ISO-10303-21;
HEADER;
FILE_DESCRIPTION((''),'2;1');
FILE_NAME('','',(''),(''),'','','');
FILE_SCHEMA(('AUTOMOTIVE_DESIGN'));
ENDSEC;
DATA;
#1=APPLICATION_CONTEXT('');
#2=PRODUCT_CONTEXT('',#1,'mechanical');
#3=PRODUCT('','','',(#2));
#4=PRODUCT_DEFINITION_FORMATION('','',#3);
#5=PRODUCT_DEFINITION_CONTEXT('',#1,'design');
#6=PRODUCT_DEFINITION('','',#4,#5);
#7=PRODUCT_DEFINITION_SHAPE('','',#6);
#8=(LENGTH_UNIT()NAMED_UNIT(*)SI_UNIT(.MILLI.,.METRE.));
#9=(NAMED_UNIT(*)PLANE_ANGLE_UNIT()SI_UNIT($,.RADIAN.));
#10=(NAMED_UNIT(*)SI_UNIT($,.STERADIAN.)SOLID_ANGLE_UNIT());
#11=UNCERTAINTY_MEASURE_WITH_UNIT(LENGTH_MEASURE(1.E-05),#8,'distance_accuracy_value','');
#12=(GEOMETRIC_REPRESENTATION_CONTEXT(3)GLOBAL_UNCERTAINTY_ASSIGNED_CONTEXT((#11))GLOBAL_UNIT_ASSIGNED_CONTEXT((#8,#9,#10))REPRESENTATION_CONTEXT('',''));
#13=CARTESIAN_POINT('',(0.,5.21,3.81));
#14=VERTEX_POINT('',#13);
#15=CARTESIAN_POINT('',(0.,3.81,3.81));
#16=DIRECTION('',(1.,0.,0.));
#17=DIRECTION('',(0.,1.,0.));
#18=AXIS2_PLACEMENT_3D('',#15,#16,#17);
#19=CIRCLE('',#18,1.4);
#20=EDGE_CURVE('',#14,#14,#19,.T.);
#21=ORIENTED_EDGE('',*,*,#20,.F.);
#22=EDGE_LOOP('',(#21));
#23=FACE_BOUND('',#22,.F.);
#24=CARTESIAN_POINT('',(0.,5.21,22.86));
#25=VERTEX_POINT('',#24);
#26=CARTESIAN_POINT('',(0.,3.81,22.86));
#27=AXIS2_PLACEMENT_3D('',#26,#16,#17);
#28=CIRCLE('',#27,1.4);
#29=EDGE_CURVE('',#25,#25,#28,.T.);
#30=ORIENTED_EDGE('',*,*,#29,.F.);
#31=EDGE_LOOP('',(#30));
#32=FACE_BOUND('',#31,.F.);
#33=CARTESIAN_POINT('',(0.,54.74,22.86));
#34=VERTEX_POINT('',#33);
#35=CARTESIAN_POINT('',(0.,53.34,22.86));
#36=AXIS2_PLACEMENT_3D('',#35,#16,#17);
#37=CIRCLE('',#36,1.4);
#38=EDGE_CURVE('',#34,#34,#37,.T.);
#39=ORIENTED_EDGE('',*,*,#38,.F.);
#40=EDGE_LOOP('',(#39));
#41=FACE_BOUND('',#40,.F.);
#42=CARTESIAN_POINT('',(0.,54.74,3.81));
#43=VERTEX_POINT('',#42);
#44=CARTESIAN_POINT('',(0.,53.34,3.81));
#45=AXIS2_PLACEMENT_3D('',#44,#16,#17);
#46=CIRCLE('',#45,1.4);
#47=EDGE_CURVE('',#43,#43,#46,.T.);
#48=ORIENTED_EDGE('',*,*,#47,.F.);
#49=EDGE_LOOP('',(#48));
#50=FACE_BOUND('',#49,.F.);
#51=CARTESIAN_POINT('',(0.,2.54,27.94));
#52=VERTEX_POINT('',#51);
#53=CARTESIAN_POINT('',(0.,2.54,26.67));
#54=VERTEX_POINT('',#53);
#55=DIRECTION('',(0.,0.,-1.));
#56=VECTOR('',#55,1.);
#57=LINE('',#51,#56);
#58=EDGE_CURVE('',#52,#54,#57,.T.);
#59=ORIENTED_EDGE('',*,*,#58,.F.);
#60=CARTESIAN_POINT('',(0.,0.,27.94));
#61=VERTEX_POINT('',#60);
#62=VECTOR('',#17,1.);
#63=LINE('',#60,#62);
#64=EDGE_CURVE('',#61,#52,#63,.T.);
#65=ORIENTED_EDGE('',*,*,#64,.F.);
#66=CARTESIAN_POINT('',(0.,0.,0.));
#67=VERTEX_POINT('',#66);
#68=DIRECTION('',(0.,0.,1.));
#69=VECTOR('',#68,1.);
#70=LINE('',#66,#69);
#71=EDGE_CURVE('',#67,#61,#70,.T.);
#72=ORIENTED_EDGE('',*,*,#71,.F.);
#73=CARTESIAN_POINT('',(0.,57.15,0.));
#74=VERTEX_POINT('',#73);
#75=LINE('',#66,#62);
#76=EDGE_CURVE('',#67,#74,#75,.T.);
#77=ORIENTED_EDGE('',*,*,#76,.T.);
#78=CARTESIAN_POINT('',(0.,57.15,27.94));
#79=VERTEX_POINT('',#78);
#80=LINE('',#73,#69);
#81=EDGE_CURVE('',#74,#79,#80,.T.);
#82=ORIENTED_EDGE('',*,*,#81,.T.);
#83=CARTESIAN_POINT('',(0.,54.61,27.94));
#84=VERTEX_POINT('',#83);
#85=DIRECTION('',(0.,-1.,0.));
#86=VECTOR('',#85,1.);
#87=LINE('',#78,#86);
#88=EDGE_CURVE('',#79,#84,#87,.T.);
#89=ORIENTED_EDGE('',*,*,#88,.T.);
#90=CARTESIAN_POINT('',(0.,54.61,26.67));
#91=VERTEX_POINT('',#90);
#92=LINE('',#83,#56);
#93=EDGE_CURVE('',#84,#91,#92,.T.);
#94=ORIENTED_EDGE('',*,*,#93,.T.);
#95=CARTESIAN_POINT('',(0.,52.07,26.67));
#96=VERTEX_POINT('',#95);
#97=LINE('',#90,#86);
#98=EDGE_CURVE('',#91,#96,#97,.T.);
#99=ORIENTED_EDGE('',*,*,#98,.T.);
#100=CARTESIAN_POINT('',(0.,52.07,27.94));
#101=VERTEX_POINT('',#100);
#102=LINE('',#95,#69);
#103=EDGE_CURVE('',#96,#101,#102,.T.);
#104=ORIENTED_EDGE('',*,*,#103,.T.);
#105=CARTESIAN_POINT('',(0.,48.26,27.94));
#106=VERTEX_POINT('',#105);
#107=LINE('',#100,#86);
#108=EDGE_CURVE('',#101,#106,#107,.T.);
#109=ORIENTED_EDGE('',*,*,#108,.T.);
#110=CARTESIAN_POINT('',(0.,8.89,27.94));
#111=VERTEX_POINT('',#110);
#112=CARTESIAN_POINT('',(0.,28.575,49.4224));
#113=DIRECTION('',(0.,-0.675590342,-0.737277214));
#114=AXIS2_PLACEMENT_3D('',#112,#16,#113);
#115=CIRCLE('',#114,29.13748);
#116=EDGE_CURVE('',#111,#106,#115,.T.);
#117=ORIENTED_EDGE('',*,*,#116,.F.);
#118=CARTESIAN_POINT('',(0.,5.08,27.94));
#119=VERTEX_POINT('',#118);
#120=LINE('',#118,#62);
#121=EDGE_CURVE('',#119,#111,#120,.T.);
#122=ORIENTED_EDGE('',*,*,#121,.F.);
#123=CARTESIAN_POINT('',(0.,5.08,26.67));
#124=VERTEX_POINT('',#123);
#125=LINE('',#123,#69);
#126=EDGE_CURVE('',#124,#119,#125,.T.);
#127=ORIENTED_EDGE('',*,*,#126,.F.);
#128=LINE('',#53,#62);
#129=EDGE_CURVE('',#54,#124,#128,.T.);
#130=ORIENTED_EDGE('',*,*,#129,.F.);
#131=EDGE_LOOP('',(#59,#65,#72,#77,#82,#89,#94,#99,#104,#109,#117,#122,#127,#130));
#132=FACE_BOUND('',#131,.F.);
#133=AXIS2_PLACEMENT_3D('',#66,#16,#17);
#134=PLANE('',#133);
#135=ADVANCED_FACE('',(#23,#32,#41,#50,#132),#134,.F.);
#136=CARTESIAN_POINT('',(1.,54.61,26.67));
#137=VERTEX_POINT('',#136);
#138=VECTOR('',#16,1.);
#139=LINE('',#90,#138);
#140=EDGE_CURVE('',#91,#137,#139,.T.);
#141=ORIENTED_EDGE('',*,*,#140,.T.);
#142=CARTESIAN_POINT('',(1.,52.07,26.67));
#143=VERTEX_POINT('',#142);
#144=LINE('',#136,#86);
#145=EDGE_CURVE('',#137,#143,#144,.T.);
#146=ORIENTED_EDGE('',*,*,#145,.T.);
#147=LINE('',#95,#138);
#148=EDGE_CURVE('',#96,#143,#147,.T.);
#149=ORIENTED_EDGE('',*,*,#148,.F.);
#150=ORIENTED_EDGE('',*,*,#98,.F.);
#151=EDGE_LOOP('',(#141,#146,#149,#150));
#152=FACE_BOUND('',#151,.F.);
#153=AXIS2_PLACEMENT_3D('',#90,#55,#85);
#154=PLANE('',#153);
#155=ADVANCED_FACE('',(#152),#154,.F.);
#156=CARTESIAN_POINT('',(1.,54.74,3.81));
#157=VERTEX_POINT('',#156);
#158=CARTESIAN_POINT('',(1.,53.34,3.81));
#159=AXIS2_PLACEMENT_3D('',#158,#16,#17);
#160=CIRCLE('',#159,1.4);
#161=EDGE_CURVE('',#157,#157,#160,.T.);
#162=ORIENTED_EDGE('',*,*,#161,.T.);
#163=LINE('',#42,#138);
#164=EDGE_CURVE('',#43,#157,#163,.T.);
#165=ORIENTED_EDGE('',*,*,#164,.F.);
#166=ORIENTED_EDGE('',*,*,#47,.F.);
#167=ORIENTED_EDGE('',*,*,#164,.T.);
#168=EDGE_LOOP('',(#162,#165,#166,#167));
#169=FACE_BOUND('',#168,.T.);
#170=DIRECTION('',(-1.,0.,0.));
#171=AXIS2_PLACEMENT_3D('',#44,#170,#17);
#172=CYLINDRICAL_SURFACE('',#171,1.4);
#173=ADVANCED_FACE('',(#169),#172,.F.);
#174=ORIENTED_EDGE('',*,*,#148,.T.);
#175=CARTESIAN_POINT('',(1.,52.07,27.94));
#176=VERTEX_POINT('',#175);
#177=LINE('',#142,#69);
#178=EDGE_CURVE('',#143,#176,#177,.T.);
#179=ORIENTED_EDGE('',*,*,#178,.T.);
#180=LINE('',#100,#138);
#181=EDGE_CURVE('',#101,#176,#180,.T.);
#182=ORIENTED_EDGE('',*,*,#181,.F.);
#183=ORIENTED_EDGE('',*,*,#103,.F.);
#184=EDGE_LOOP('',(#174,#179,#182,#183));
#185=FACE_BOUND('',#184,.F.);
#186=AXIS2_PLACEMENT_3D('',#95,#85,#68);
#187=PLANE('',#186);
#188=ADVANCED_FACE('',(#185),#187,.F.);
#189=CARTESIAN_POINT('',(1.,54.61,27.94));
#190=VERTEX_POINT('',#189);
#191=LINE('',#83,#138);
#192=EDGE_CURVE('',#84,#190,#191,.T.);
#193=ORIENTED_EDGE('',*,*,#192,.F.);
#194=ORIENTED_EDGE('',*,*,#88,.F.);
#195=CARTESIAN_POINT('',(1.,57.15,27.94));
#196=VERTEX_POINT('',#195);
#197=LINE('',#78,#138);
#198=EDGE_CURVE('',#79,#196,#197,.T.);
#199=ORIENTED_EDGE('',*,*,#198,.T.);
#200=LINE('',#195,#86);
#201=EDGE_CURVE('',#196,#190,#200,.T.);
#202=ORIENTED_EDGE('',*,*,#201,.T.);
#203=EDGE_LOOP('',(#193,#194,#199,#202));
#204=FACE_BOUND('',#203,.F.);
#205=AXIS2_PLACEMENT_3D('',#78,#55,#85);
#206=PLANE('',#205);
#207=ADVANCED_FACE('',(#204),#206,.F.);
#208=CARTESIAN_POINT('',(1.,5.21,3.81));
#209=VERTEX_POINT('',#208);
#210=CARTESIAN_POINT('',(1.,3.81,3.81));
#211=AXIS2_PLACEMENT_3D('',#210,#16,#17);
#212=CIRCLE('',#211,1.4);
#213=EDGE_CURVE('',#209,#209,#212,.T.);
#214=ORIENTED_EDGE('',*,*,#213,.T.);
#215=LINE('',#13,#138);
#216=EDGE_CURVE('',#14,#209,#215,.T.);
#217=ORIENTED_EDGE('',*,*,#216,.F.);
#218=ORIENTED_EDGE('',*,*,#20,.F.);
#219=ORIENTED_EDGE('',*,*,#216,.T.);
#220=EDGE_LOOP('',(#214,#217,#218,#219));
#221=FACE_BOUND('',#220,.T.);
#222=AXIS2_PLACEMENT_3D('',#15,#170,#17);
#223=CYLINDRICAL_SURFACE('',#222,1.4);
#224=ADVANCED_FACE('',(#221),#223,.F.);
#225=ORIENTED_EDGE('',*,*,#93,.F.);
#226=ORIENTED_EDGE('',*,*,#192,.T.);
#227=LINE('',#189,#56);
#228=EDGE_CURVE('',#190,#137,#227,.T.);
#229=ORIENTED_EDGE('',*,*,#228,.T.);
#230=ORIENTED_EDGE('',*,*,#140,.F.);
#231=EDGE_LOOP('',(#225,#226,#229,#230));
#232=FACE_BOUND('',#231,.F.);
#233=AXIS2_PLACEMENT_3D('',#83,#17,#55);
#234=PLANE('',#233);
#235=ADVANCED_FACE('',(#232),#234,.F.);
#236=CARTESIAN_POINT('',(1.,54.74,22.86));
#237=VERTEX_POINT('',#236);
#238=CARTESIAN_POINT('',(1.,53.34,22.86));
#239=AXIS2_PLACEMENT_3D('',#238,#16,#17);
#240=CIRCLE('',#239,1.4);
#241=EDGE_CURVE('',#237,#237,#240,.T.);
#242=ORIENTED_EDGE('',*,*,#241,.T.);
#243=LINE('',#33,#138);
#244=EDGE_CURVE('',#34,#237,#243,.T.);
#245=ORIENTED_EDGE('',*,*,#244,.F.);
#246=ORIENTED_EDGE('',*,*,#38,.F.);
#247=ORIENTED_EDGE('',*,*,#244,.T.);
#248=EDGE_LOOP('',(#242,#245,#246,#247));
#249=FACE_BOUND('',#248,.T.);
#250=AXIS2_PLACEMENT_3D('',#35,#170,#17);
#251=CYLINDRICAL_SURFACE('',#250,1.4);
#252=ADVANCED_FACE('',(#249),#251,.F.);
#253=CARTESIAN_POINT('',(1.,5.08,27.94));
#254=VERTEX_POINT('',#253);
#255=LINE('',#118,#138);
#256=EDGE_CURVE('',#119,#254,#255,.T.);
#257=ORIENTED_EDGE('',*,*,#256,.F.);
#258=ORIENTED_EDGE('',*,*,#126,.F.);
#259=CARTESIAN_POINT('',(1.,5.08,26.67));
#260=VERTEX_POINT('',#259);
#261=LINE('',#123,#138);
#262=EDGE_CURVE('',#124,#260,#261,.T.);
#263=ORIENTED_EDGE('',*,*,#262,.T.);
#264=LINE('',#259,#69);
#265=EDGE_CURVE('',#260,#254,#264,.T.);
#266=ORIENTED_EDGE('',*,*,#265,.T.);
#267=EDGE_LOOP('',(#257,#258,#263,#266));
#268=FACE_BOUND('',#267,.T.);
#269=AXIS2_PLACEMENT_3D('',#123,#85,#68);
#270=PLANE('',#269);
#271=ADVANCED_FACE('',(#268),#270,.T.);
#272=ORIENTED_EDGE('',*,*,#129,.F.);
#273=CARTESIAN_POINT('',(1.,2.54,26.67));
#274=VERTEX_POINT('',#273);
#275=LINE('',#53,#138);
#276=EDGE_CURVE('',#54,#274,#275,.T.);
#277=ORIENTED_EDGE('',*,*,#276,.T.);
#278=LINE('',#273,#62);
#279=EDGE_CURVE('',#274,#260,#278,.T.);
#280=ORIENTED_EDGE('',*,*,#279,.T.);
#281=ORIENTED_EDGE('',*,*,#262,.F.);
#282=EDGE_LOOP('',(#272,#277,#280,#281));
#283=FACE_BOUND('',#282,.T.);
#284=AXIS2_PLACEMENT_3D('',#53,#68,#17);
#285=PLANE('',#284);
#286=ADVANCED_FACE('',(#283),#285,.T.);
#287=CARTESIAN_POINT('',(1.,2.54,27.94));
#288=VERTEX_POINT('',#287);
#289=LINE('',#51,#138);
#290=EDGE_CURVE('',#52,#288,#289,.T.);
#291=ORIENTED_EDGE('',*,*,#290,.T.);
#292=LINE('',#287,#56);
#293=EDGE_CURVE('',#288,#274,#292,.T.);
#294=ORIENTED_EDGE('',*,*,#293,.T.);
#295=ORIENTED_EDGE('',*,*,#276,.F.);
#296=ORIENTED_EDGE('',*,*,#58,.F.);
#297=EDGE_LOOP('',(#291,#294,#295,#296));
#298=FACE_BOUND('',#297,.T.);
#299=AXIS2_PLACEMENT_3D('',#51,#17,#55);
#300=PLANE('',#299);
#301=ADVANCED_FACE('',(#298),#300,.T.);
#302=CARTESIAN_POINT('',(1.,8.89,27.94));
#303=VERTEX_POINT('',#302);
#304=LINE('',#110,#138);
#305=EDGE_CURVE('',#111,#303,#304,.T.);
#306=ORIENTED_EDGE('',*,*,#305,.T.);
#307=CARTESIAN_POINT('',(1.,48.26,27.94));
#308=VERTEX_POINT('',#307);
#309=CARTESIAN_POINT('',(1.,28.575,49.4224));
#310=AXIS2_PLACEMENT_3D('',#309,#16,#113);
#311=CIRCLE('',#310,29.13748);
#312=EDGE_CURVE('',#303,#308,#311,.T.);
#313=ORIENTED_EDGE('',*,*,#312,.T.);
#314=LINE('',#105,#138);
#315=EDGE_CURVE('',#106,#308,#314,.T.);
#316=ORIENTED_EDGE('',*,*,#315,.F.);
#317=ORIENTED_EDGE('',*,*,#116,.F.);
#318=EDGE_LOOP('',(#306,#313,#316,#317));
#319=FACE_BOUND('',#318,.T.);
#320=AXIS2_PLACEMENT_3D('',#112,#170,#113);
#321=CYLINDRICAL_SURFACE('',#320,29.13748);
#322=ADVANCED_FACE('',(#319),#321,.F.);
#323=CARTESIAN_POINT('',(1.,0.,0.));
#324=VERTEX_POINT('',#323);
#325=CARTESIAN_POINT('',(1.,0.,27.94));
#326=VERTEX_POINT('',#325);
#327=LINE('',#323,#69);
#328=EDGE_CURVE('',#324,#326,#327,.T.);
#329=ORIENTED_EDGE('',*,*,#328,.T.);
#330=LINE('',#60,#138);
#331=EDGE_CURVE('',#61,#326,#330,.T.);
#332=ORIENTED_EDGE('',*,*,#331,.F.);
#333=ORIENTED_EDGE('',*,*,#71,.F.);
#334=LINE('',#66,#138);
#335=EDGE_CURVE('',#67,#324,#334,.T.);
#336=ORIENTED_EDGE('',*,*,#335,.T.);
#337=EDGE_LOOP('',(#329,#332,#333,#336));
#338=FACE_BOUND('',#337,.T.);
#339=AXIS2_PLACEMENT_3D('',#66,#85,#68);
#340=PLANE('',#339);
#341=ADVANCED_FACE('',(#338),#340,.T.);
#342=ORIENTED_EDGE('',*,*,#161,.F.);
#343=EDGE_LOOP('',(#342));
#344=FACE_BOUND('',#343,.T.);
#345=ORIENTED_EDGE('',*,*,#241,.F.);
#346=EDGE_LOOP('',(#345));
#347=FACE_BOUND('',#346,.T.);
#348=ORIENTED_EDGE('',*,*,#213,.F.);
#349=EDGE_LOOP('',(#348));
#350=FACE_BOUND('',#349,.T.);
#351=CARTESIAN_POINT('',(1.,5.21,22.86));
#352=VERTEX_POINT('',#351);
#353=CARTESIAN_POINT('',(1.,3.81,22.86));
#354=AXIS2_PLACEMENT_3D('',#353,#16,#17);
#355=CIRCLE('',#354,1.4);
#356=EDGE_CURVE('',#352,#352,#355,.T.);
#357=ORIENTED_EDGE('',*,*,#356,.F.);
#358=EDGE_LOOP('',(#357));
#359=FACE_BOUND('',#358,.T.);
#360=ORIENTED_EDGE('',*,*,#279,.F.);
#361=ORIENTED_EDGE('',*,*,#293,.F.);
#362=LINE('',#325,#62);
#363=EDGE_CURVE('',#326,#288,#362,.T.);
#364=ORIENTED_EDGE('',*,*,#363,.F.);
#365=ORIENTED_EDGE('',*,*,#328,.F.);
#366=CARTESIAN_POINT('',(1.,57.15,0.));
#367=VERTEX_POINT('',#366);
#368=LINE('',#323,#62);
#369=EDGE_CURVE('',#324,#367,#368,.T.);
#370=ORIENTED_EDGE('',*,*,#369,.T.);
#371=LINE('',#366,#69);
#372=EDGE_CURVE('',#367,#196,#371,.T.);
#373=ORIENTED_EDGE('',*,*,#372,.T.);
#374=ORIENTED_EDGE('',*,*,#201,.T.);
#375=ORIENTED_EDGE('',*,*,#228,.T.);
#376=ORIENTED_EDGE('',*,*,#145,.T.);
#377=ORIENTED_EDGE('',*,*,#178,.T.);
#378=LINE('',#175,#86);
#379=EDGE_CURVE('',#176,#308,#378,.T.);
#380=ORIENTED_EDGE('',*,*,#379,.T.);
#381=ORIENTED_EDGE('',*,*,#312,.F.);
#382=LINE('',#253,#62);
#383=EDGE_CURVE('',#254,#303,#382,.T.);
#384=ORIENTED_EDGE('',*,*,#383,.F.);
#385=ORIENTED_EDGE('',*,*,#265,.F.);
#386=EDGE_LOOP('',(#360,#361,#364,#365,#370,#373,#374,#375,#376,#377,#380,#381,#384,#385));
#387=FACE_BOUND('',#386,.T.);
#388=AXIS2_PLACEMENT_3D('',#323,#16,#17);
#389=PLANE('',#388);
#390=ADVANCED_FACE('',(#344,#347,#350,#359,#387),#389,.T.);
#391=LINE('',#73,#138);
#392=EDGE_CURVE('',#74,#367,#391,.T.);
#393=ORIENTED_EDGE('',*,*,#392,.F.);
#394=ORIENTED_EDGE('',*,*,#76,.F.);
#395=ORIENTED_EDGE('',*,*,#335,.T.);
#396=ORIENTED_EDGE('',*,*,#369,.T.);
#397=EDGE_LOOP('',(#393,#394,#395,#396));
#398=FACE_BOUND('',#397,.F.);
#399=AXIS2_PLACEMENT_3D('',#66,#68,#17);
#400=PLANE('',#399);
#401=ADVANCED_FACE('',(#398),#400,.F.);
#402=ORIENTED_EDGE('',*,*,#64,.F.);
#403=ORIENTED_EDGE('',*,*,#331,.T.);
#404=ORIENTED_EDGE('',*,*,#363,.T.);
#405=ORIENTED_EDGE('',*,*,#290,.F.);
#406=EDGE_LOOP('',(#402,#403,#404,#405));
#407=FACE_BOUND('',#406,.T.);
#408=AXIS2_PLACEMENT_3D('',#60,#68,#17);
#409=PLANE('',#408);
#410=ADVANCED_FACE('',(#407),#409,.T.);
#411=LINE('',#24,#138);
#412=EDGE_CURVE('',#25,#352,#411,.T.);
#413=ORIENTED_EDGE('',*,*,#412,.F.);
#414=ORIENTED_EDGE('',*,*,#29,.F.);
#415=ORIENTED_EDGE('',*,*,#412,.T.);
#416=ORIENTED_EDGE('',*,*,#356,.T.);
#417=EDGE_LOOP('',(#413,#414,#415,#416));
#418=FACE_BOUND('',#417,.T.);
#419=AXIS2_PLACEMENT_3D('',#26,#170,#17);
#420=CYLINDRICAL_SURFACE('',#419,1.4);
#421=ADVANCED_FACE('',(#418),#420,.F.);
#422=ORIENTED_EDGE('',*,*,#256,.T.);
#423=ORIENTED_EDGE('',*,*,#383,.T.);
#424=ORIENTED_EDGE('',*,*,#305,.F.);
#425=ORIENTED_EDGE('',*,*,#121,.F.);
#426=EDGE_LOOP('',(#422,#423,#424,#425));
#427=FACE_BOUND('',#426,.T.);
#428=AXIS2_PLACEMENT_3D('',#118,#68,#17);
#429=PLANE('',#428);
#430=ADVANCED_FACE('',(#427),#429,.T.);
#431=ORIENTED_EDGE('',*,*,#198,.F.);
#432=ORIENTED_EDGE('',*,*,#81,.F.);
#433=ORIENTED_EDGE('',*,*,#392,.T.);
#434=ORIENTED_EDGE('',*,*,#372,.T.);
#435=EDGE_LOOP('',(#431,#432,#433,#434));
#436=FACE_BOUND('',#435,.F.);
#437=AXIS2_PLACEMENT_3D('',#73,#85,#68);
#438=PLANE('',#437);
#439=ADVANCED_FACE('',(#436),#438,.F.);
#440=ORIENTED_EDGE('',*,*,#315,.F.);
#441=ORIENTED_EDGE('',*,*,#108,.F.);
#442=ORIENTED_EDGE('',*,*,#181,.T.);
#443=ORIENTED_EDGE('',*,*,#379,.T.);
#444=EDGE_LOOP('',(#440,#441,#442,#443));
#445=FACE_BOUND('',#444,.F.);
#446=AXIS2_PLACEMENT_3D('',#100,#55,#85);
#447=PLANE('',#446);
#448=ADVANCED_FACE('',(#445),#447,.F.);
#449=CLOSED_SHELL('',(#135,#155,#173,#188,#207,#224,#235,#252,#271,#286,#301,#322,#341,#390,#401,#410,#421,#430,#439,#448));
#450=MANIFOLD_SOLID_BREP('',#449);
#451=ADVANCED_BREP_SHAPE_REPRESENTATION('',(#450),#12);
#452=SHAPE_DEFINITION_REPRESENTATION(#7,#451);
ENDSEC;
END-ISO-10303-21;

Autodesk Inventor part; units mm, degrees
ref_plane "YZ Plane" through (0, 0, 0) normal (1, 0, 0) x (0, 1, 0)
ref_plane "XZ Plane" through (0, 0, 0) normal (0, 1, 0) x (-1, 0, 0)
ref_plane "XY Plane" through (0, 0, 0) normal (0, 0, 1) x (1, 0, 0)
sketch "Sketch1" plane through (0, 0, 0) normal (1, 0, 0) x (0, 1, 0)
  line L0 (0, 0) -> (57.15, 0)
  line L1 (57.15, 0) -> (57.15, 27.94)
  line L2 (0, 0) -> (0, 27.94)
  arc A0 (8.89, 27.94) -> (48.26, 27.94) centre (28.575, 49.4224) ccw
  line L3 (28.575, 0) -> (28.575, 8.5438) construction
  circle A1 centre (3.81, 3.81) radius 1.4
  circle A2 centre (53.34, 3.81) radius 1.4
  line L4 (0, 27.94) -> (2.54, 27.94)
  line L5 (2.54, 27.94) -> (2.54, 26.67)
  line L6 (2.54, 26.67) -> (5.08, 26.67)
  line L7 (5.08, 26.67) -> (5.08, 27.94)
  line L8 (5.08, 27.94) -> (8.89, 27.94)
  line L9 (57.15, 27.94) -> (54.61, 27.94)
  line L10 (54.61, 27.94) -> (54.61, 26.67)
  line L11 (54.61, 26.67) -> (52.07, 26.67)
  line L12 (52.07, 26.67) -> (52.07, 27.94)
  line L13 (52.07, 27.94) -> (48.26, 27.94)
  circle A3 centre (53.34, 22.86) radius 1.4
  circle A4 centre (3.81, 22.86) radius 1.4
  dimension "d0" = 57.15
  dimension "d1" = 27.94
  dimension "d2" = 27.94
  dimension "d3" = 85
  dimension "d4" = 29.1375
  dimension "d5" = 2.8
  dimension "d6" = 3.81
  dimension "d7" = 3.81
  dimension "d8" = 2.54
  dimension "d9" = 1.27
  dimension "d10" = 2.54
  dimension "d11" = 1.27
  dimension "d14" = 2.8
  dimension "d15" = 19.05
extrude "Extrusion1" add sketch "Sketch1" along normal blind 1
properties part number "PCBModule01" material "PCB(1)"
